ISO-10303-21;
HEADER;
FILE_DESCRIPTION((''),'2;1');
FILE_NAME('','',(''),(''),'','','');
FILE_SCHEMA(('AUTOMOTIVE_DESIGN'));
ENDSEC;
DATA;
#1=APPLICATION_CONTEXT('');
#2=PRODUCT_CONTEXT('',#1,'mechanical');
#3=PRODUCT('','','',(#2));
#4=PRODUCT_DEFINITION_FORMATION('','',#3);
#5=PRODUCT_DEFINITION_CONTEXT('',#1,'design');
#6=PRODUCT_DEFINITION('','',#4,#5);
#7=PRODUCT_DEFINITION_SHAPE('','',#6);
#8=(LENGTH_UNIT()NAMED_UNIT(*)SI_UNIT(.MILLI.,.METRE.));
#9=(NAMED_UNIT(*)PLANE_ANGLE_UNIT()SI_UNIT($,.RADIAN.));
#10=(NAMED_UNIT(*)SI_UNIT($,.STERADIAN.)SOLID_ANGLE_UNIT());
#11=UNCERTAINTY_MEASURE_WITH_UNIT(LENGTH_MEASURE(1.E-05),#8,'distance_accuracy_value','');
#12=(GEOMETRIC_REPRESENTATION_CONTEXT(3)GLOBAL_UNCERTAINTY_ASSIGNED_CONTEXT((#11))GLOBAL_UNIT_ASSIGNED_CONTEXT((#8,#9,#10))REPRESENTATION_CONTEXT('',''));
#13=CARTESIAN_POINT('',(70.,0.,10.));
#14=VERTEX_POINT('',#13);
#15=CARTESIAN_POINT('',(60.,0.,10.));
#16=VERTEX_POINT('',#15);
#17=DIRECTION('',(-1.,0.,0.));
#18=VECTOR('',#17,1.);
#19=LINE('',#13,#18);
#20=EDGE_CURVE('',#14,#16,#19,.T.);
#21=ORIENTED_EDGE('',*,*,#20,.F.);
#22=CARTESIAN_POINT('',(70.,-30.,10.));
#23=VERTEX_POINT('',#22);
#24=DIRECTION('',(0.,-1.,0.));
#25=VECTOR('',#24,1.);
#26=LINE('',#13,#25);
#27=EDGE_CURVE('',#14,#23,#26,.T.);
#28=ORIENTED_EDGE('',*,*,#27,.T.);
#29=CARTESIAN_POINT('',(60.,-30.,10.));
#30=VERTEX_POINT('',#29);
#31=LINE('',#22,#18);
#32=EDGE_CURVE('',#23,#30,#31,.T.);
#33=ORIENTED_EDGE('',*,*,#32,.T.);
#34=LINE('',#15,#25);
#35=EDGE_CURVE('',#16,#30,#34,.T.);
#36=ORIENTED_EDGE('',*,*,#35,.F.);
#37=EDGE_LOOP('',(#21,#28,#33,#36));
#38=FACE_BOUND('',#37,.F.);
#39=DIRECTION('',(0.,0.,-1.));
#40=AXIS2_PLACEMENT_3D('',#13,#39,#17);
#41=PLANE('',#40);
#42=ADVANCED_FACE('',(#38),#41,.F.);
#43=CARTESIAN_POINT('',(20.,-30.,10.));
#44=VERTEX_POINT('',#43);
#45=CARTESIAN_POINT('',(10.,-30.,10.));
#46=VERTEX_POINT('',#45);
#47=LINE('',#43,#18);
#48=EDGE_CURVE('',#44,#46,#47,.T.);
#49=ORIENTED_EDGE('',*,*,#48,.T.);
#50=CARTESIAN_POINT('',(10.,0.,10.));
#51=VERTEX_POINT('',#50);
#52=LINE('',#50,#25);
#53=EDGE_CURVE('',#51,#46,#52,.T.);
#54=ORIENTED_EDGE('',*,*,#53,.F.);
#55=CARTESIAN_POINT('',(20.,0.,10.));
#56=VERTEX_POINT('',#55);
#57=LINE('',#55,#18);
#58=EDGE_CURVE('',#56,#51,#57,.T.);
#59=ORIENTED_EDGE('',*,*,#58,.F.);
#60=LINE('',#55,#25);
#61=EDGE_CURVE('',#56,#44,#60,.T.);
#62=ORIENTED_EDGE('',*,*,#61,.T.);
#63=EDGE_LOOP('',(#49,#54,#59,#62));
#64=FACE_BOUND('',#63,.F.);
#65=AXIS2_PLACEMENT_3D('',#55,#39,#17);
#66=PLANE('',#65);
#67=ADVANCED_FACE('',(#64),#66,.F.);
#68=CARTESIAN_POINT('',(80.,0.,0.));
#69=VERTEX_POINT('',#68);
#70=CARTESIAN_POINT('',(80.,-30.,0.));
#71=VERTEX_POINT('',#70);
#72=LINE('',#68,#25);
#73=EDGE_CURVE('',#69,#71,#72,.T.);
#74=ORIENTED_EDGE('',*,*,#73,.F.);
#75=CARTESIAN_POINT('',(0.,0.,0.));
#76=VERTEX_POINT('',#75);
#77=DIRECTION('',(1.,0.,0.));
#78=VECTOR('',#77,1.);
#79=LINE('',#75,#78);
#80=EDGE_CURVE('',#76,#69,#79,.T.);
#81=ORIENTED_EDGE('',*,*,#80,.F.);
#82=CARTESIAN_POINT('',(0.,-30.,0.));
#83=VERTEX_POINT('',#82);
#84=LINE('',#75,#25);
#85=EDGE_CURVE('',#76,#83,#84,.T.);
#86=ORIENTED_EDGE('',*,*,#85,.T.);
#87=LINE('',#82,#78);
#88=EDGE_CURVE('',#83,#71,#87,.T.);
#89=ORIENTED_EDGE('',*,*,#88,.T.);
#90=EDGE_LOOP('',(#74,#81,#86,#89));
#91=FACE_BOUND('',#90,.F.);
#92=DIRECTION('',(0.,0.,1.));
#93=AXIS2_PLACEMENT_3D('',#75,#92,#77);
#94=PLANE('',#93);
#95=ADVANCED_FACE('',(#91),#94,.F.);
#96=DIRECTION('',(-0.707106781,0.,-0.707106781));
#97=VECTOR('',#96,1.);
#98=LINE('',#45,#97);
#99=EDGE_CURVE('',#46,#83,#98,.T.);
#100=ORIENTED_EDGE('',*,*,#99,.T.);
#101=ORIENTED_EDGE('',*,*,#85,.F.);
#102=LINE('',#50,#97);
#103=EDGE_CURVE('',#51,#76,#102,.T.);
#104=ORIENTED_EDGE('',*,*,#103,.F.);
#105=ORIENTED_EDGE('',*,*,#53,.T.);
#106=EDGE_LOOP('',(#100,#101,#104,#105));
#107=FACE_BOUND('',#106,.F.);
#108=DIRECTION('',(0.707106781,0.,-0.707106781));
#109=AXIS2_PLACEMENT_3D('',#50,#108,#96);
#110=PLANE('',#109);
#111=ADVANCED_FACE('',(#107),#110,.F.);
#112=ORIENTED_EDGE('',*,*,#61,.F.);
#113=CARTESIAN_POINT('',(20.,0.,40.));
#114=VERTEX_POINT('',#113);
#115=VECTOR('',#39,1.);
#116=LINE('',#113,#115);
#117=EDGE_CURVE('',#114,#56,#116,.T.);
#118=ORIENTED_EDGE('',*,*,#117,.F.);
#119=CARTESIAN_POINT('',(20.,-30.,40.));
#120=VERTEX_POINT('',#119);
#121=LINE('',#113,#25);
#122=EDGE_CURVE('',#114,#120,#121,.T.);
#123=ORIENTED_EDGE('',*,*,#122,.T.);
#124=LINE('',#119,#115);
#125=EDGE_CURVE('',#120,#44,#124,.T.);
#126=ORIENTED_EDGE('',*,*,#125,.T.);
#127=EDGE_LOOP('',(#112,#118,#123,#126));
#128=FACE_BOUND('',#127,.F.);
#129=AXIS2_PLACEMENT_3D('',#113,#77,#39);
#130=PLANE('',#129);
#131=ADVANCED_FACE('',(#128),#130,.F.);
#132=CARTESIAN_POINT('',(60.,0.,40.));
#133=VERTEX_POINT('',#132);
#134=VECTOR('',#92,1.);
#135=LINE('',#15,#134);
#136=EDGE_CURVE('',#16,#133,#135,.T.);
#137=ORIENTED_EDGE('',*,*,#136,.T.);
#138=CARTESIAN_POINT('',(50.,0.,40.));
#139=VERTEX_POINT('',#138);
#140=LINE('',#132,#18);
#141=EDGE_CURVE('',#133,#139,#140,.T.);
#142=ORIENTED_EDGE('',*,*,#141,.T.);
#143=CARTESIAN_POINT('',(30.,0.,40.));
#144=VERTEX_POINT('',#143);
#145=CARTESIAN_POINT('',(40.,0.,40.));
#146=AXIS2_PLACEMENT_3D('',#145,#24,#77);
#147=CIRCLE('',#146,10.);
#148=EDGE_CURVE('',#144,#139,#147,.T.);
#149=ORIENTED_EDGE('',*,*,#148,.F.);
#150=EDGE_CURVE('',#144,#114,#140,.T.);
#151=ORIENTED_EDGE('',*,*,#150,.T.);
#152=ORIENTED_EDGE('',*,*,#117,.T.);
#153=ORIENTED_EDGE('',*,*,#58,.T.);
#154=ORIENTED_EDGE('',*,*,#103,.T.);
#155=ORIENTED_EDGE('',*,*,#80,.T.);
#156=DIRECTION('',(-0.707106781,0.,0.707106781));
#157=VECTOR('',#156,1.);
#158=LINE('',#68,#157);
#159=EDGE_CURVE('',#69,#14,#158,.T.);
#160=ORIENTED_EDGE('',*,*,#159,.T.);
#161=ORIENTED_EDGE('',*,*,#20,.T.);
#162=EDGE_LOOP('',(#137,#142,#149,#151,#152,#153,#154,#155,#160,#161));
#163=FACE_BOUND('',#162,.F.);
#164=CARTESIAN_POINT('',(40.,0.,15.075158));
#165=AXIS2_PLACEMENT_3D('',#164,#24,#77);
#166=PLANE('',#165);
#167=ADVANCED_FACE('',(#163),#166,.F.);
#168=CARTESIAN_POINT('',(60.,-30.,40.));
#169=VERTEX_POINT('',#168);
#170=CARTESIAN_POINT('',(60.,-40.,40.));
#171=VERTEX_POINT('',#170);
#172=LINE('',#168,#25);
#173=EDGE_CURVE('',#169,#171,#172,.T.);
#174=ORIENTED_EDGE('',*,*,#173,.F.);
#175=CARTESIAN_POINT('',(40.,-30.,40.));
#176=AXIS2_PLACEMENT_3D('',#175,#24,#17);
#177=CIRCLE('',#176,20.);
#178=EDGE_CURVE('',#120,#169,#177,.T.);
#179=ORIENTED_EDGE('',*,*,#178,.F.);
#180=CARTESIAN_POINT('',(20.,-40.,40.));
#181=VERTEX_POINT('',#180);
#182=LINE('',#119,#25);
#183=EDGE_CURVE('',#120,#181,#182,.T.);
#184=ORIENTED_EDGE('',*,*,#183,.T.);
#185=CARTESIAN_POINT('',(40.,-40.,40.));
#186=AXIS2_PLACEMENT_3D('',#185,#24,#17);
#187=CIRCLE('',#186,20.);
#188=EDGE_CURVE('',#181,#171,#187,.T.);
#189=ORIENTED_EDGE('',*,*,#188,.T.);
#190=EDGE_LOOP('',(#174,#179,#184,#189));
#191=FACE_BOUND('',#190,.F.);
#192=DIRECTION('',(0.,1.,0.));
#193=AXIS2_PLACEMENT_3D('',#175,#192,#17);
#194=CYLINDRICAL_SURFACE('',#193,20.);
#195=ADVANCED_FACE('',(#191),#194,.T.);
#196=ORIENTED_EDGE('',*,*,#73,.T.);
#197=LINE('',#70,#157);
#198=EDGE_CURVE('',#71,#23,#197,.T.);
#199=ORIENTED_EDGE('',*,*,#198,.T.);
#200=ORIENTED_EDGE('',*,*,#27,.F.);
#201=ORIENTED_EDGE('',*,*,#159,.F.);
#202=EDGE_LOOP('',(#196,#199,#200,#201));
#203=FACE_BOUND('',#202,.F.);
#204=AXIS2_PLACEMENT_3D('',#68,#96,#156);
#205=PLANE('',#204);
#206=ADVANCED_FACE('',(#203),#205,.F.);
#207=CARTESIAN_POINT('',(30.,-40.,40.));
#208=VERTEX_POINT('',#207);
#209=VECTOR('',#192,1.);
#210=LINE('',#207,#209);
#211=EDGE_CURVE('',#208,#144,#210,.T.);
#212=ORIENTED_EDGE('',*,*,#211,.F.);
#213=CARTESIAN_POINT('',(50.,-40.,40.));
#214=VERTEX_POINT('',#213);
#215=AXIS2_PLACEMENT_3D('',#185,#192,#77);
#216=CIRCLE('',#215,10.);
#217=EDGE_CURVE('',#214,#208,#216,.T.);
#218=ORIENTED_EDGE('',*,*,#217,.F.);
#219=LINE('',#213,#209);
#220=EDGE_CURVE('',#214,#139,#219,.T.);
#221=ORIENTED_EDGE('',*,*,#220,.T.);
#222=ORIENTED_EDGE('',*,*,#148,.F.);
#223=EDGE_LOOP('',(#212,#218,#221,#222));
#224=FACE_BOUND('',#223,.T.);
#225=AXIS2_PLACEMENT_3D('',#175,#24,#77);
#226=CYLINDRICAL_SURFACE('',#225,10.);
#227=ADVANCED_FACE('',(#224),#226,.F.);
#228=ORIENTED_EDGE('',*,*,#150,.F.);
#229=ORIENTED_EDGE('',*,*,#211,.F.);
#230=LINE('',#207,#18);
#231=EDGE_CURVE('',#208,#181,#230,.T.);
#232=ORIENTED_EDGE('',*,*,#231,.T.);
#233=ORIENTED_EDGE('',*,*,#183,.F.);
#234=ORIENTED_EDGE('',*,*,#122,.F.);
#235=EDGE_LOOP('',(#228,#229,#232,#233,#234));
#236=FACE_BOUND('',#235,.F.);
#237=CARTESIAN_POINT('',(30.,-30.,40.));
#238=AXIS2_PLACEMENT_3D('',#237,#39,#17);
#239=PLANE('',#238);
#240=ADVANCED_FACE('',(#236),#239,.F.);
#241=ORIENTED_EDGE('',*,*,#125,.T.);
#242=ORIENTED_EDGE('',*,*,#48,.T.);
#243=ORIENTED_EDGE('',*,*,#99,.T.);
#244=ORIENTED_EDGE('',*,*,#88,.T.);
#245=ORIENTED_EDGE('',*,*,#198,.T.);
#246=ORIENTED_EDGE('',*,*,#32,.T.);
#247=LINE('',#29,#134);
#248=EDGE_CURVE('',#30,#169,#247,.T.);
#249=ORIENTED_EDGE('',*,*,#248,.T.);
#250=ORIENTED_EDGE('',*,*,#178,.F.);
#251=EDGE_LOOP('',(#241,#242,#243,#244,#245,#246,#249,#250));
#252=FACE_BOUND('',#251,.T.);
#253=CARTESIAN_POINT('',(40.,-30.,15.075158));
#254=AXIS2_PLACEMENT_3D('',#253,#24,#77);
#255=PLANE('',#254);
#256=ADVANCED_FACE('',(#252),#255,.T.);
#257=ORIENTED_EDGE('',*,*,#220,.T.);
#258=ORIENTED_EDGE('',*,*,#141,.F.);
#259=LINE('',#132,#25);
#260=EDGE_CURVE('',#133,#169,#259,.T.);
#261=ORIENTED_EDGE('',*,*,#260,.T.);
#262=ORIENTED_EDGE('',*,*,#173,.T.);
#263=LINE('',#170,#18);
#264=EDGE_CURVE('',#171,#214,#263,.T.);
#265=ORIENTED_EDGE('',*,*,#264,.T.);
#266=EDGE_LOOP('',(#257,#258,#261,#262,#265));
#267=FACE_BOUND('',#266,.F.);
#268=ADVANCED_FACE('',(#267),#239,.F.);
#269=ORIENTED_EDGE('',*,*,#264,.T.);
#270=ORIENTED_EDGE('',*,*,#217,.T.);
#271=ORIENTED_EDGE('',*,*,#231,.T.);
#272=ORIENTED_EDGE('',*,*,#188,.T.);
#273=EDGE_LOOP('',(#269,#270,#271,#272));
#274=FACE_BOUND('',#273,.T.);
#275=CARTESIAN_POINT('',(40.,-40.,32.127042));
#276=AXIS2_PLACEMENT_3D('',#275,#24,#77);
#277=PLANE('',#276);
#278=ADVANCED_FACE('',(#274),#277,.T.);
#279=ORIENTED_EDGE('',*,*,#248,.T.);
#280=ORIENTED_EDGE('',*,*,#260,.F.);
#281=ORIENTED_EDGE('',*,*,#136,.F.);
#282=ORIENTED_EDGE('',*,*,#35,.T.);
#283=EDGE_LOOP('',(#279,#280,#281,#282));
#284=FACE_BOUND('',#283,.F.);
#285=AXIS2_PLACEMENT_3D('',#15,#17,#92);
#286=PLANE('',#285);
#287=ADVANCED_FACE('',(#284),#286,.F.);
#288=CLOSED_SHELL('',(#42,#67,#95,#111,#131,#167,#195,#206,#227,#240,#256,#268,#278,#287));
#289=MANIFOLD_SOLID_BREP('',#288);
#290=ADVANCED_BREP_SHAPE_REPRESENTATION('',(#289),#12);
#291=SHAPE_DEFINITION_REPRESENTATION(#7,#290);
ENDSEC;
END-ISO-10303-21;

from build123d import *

# Parameters (mm, degrees)
F1_DEPTH = 30
F3_DEPTH = 10
F4_DEPTH = 35


with BuildPart() as f1:
    # F0 (on Front) → F1 (new body)
    with BuildSketch(Plane.XZ):
        Polygon((10, 10), (0, 0), (80, 0), (70, 10), (60, 10), (60, 40), (20, 40), (20, 10), align=None)
    extrude(amount=F1_DEPTH)

    # F2 (on face) → F3 (join)
    with BuildSketch(Plane.XZ.offset(30)):
        with BuildLine():
            Line((30, 40), (20, 40))
            ThreePointArc((20, 40), (40, 20), (60, 40))
            Line((60, 40), (50, 40))
            ThreePointArc((50, 40), (40, 30), (30, 40))
        make_face()
    extrude(amount=F3_DEPTH)

    # F4 (cut): a face of the model
    f4_faces = [f1.faces().sort_by_distance(p)[0] for p in [
        (40, -30, 35.7558681842),
    ]]
    extrude(f4_faces, amount=-F4_DEPTH, mode=Mode.SUBTRACT)


solid = f1.part
